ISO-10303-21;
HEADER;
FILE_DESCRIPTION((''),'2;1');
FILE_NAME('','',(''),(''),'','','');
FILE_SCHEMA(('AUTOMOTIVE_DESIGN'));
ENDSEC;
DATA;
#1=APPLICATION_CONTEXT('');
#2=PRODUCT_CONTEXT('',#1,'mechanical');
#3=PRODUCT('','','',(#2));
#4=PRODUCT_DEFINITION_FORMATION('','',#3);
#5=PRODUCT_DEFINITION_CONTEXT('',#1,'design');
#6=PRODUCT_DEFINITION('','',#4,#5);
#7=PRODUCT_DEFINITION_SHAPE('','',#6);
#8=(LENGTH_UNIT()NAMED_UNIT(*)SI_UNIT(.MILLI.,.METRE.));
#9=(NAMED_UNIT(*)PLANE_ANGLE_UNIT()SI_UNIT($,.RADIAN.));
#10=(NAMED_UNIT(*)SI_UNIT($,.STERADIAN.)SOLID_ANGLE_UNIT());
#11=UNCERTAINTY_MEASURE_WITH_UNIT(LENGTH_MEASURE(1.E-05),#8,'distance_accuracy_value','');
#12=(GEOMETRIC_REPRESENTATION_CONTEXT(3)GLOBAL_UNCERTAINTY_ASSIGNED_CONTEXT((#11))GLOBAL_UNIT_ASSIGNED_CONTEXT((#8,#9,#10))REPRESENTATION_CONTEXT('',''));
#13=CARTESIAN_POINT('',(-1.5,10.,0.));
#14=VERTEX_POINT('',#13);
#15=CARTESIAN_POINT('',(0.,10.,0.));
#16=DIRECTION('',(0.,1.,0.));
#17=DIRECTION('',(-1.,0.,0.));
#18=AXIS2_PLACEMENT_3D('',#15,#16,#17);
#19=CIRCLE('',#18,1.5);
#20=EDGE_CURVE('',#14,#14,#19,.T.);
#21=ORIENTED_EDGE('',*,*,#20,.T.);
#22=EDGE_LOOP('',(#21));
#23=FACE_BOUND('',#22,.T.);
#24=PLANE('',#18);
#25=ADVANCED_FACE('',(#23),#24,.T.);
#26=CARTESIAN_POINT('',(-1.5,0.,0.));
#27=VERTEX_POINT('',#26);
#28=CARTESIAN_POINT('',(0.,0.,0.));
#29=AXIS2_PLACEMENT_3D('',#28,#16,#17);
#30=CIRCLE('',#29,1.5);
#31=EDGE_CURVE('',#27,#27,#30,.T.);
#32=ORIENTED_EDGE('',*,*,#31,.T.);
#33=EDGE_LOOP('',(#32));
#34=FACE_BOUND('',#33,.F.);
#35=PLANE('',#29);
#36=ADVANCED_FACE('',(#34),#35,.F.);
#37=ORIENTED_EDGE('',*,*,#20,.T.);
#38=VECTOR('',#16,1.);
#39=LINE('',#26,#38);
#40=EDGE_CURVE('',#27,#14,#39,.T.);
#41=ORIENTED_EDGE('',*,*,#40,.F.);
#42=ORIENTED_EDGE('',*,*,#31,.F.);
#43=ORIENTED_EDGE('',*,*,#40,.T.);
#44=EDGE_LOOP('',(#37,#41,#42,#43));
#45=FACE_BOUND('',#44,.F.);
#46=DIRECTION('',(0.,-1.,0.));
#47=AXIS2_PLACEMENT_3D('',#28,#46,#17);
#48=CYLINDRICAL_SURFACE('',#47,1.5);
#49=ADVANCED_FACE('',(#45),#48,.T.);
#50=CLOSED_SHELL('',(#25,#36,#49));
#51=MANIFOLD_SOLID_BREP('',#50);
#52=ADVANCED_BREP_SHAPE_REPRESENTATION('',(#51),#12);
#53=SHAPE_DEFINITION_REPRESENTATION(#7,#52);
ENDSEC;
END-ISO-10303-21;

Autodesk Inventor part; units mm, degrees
ref_plane "YZ Plane" through (0, 0, 0) normal (1, 0, 0) x (0, 1, 0)
ref_plane "XZ Plane" through (0, 0, 0) normal (0, 1, 0) x (-1, 0, 0)
ref_plane "XY Plane" through (0, 0, 0) normal (0, 0, 1) x (1, 0, 0)
sketch "スケッチ1" plane through (0, 0, 0) normal (0, 1, 0) x (-1, 0, 0)
  circle A0 centre (0, 0) radius 1.5
  dimension "d0" = 3
extrude "押し出し1" add sketch "スケッチ1" along normal blind 10
properties part number "trackball-shaft" material "鋼、合金"
